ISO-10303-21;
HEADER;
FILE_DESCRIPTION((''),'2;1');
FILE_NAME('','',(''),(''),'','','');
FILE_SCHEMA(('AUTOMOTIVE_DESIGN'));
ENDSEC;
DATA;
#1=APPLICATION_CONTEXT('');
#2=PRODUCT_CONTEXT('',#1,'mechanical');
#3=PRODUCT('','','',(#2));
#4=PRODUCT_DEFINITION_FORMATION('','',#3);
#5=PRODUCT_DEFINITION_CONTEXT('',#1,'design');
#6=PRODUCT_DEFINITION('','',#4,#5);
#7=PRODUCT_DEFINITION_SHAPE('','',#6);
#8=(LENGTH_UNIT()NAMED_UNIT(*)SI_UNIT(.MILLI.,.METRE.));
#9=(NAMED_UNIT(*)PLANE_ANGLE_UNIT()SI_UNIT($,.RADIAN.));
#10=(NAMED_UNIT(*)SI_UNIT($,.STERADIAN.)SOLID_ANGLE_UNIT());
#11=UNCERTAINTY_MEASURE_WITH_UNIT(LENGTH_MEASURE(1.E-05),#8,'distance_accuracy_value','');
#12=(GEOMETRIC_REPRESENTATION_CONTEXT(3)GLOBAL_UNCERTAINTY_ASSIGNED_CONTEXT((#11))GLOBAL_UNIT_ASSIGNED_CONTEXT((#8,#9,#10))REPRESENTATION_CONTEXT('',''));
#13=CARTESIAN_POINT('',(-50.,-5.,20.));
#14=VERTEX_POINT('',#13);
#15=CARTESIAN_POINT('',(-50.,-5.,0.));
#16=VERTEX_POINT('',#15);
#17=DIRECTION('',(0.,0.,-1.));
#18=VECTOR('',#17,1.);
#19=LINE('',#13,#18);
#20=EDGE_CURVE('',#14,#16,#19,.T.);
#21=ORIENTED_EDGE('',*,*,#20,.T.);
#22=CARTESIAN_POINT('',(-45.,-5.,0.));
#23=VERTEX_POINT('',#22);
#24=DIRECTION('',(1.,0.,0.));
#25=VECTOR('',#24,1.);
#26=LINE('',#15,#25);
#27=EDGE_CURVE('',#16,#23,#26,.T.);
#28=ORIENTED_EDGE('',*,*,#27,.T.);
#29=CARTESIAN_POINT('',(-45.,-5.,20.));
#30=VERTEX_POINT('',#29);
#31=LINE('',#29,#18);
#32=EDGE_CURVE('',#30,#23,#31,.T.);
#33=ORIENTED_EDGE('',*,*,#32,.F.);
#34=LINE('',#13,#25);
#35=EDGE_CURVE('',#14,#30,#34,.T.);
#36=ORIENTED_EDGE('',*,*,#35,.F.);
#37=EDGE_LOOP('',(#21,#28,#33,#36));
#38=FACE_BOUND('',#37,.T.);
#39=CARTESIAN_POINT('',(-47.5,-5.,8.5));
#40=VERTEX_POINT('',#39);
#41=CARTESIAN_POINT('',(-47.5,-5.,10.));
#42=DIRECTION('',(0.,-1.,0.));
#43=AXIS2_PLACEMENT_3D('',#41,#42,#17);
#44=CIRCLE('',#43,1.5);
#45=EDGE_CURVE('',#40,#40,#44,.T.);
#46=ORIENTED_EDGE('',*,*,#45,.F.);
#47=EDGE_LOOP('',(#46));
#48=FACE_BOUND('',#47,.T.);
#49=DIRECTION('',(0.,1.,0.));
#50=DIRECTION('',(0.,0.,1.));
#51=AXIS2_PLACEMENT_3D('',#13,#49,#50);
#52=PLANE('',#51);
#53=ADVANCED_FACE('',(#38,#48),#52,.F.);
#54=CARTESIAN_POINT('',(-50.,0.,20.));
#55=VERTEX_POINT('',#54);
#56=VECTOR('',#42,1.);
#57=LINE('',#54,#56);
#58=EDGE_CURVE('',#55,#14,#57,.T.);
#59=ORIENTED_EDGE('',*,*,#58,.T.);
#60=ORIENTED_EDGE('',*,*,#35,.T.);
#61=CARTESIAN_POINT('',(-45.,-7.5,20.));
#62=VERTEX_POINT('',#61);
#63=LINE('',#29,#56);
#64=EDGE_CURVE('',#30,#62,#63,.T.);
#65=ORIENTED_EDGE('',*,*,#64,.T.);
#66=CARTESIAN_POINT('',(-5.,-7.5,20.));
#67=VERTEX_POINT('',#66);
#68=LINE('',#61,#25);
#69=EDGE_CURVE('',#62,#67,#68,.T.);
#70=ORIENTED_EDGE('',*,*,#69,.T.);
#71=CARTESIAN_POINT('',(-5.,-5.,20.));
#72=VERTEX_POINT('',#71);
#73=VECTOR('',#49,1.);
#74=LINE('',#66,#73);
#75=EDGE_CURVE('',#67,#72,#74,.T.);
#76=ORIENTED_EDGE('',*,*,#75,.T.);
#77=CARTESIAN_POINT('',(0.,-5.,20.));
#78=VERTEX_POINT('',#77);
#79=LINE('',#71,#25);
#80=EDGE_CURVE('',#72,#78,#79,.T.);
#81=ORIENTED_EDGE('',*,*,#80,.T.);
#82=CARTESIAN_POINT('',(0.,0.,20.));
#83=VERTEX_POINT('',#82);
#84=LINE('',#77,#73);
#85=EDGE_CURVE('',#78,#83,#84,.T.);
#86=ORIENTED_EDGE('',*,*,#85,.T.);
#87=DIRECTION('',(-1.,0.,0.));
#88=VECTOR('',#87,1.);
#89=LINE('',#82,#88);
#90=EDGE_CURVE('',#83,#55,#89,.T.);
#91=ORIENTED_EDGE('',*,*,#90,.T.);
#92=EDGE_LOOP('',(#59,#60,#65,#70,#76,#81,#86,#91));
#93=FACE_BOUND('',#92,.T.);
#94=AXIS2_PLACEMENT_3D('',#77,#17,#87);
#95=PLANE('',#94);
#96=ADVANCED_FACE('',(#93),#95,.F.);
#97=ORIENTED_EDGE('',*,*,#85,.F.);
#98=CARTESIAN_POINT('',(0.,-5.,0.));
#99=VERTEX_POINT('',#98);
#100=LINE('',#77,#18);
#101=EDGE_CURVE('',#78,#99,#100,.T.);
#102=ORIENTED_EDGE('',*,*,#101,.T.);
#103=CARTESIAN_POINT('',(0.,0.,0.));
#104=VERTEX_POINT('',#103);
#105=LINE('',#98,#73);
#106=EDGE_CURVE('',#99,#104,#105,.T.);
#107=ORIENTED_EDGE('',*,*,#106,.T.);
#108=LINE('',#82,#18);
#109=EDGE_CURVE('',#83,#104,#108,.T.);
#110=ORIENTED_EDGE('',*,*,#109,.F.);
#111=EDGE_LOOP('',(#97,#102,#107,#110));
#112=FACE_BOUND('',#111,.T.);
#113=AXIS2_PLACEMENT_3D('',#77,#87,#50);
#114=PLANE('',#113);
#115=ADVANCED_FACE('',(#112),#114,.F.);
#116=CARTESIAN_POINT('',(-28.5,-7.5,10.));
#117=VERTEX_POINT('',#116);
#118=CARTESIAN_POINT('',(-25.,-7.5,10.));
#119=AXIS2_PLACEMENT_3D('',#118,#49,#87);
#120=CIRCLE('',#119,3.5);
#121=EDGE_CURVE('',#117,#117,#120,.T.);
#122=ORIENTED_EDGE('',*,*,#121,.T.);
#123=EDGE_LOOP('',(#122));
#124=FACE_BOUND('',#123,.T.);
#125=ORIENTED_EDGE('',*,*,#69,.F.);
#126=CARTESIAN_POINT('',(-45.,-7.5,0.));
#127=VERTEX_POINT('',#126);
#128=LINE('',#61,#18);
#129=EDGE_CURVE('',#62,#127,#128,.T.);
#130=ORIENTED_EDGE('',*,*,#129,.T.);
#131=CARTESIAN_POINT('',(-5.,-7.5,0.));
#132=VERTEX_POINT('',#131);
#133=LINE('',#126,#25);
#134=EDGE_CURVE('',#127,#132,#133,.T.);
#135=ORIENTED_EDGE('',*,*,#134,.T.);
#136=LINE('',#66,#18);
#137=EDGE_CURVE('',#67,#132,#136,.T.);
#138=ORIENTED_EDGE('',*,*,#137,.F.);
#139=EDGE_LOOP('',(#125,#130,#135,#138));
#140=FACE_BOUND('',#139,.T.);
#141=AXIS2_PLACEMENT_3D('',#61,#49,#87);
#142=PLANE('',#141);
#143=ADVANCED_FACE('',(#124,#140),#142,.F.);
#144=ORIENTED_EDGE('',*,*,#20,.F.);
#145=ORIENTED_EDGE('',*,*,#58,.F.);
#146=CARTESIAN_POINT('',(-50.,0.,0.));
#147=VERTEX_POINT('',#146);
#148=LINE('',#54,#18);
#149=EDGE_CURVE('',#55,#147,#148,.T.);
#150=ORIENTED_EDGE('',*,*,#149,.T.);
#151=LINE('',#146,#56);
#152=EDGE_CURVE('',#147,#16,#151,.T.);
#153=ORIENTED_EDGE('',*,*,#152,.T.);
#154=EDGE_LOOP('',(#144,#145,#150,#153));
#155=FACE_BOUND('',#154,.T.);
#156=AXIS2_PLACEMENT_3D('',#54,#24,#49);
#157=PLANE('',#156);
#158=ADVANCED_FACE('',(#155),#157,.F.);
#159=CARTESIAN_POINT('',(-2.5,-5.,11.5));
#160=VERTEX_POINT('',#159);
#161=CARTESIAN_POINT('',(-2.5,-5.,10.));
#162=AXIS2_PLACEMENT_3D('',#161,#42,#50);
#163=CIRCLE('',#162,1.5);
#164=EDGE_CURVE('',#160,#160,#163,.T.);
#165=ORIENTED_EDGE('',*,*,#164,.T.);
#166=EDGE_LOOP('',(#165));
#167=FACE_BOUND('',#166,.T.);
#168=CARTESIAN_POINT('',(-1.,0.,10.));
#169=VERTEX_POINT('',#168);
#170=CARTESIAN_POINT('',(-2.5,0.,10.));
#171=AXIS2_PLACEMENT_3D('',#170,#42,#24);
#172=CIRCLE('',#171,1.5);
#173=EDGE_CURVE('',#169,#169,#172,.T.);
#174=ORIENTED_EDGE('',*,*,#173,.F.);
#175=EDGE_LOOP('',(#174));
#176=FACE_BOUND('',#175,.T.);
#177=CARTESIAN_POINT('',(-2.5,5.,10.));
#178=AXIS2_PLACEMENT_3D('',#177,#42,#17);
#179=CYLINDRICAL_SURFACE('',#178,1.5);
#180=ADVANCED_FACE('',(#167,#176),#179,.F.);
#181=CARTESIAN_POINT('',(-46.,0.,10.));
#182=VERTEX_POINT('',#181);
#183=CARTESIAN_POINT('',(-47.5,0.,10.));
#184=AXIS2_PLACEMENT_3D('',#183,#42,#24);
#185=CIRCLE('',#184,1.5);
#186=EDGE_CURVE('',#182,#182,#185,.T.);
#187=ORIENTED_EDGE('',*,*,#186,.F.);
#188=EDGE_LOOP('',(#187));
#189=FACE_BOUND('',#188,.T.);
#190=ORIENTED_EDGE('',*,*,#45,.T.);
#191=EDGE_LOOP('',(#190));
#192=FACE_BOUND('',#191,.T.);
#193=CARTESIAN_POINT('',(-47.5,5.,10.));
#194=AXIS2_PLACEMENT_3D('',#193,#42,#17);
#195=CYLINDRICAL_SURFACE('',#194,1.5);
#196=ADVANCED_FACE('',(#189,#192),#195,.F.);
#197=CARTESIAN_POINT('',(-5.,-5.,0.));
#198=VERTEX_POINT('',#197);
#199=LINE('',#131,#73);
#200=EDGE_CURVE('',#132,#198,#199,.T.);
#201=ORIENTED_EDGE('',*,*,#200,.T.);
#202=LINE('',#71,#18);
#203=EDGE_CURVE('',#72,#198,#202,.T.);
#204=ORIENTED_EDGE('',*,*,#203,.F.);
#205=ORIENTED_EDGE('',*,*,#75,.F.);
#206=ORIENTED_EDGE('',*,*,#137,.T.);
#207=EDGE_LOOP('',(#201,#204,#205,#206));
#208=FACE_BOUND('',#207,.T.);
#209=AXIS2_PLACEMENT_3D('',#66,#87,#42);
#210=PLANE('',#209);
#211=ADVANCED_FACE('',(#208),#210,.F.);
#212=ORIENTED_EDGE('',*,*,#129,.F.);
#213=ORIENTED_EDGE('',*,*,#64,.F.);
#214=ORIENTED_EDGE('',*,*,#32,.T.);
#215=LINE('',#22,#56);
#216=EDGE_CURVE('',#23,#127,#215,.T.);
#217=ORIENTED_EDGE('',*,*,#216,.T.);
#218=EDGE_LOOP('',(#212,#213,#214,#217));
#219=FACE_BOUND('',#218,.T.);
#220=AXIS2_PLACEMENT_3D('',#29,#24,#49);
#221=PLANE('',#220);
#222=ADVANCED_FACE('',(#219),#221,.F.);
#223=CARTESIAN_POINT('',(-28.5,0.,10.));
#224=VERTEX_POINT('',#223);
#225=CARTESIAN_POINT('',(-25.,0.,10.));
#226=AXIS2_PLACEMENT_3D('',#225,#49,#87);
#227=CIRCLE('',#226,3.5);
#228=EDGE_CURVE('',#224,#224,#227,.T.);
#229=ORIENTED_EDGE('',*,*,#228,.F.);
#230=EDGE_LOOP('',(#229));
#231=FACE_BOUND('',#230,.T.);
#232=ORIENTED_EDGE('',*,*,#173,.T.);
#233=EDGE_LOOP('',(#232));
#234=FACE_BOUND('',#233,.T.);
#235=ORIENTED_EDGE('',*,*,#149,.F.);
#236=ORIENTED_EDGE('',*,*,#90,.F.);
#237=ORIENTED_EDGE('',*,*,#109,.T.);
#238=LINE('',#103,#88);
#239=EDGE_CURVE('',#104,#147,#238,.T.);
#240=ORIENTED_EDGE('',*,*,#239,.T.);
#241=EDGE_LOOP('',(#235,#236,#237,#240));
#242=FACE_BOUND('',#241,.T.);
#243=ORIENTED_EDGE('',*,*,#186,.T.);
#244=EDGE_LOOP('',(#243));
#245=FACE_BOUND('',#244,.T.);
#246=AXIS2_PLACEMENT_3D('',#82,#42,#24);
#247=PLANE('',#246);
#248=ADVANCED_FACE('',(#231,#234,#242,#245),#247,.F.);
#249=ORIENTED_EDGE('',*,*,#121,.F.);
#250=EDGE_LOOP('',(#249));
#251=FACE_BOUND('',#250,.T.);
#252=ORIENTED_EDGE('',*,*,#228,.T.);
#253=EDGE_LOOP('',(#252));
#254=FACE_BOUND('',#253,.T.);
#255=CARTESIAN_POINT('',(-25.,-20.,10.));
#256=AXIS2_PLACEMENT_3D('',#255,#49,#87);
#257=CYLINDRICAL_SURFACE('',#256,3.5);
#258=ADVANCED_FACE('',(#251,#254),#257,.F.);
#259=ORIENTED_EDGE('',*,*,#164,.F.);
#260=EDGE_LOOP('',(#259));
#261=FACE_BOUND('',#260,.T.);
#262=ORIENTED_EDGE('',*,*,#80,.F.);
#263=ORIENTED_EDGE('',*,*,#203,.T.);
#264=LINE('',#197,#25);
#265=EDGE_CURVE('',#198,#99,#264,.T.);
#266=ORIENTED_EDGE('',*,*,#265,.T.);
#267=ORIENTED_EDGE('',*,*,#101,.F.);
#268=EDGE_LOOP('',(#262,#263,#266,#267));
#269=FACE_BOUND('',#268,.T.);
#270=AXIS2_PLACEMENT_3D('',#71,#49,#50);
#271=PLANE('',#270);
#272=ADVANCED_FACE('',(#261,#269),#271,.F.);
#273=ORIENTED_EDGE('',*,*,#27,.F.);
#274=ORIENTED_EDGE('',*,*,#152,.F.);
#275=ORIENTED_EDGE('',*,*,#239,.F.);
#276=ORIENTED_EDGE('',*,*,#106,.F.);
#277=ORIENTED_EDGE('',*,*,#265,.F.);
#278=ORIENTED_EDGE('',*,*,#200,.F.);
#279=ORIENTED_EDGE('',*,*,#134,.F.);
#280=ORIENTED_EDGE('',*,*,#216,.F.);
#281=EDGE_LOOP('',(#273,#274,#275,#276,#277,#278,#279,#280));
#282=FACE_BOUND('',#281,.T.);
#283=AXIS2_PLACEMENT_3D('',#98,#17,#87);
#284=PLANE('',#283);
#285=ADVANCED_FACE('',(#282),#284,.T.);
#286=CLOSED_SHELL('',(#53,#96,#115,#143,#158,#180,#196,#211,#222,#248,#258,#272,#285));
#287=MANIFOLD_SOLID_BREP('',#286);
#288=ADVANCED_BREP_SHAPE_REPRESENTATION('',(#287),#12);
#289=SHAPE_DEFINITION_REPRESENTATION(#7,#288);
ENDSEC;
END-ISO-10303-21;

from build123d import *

# Parameters (mm, degrees)
EXTRUSION1_DEPTH        = 20
ESQUISSE2_R             = 3.5
ENL_V_MAT_EXTRU_1_DEPTH = 20
ESQUISSE3_R             = 1.5
ENL_V_MAT_EXTRU_2_DEPTH = 10


with BuildPart() as part:
    # Esquisse1 → Extrusion1 (new body)
    with BuildSketch(Plane.XY):
        Polygon((0, 0), (-50, 0), (-50, -5), (-45, -5), (-45, -7.5), (-5, -7.5), (-5, -5), (0, -5), align=None)
    extrude(amount=EXTRUSION1_DEPTH)

    # Esquisse2 → Enlèv. mat.-Extru.1 (cut)
    with BuildSketch(Plane(origin=(0, 0, 0), x_dir=(1, 0, 0), z_dir=(0, 1, 0))):
        with Locations(Location((-25, -10, 0), (0, 0, 180))):
            Circle(ESQUISSE2_R)
    extrude(amount=-ENL_V_MAT_EXTRU_1_DEPTH, mode=Mode.SUBTRACT)

    # Esquisse3 → Enlèv. mat.-Extru.2 (cut)
    with BuildSketch(Plane.XZ.offset(5)):
        with Locations(Location((-47.5, 10, 0), (0, 0, 270))):
            Circle(ESQUISSE3_R)
        with Locations((-2.5, 10)):
            Circle(ESQUISSE3_R)
    extrude(amount=-ENL_V_MAT_EXTRU_2_DEPTH, mode=Mode.SUBTRACT)


solid = part.part
